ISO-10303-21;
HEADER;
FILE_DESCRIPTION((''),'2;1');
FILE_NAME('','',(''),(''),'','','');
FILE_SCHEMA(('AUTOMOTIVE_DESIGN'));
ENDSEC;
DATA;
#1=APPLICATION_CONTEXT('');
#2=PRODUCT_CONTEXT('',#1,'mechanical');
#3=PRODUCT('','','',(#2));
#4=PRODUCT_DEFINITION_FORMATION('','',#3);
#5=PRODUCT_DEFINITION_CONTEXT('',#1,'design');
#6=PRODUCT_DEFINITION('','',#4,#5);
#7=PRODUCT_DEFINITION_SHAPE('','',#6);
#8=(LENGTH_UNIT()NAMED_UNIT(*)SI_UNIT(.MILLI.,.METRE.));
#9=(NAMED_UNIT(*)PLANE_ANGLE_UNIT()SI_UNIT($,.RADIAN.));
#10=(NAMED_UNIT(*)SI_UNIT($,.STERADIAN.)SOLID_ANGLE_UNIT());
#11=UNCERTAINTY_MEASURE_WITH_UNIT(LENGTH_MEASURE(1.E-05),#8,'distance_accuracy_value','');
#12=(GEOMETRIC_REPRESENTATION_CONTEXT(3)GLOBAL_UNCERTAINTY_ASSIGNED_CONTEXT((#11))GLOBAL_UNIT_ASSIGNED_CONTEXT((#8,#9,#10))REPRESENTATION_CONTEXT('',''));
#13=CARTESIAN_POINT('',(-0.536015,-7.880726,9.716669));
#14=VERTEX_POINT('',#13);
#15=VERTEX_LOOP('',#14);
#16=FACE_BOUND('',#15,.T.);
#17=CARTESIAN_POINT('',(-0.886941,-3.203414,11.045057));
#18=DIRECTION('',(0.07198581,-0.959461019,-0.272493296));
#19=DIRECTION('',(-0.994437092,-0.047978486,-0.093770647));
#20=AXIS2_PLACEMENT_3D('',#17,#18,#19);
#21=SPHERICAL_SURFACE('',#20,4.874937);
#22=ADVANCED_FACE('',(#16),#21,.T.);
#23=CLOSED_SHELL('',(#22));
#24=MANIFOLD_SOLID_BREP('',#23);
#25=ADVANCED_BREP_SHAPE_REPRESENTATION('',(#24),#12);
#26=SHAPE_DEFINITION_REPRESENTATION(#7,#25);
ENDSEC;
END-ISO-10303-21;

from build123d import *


with BuildPart() as part:
    # Sketch2 → Revolve1 (revolve)
    with BuildSketch(Plane(origin=(-0.886941121, -3.203414239, 11.045056747), x_dir=(0.9944370923979399, 0.04797848572301447, 0.09377064663772991), z_dir=(-0.07689546447381689, -0.27772759666638736, 0.9575773961373923))):
        with BuildLine():
            Line((0, -4.874937186), (0, 4.874937186))
            ThreePointArc((0, 4.874937186), (4.874937186, 0), (0, -4.874937186))
        make_face()
    revolve(axis=Axis((-0.53601482, -7.880726438, 9.716669047), (-0.07198580975780904, 0.959461018988077, 0.2724932957631685)))


solid = part.part
